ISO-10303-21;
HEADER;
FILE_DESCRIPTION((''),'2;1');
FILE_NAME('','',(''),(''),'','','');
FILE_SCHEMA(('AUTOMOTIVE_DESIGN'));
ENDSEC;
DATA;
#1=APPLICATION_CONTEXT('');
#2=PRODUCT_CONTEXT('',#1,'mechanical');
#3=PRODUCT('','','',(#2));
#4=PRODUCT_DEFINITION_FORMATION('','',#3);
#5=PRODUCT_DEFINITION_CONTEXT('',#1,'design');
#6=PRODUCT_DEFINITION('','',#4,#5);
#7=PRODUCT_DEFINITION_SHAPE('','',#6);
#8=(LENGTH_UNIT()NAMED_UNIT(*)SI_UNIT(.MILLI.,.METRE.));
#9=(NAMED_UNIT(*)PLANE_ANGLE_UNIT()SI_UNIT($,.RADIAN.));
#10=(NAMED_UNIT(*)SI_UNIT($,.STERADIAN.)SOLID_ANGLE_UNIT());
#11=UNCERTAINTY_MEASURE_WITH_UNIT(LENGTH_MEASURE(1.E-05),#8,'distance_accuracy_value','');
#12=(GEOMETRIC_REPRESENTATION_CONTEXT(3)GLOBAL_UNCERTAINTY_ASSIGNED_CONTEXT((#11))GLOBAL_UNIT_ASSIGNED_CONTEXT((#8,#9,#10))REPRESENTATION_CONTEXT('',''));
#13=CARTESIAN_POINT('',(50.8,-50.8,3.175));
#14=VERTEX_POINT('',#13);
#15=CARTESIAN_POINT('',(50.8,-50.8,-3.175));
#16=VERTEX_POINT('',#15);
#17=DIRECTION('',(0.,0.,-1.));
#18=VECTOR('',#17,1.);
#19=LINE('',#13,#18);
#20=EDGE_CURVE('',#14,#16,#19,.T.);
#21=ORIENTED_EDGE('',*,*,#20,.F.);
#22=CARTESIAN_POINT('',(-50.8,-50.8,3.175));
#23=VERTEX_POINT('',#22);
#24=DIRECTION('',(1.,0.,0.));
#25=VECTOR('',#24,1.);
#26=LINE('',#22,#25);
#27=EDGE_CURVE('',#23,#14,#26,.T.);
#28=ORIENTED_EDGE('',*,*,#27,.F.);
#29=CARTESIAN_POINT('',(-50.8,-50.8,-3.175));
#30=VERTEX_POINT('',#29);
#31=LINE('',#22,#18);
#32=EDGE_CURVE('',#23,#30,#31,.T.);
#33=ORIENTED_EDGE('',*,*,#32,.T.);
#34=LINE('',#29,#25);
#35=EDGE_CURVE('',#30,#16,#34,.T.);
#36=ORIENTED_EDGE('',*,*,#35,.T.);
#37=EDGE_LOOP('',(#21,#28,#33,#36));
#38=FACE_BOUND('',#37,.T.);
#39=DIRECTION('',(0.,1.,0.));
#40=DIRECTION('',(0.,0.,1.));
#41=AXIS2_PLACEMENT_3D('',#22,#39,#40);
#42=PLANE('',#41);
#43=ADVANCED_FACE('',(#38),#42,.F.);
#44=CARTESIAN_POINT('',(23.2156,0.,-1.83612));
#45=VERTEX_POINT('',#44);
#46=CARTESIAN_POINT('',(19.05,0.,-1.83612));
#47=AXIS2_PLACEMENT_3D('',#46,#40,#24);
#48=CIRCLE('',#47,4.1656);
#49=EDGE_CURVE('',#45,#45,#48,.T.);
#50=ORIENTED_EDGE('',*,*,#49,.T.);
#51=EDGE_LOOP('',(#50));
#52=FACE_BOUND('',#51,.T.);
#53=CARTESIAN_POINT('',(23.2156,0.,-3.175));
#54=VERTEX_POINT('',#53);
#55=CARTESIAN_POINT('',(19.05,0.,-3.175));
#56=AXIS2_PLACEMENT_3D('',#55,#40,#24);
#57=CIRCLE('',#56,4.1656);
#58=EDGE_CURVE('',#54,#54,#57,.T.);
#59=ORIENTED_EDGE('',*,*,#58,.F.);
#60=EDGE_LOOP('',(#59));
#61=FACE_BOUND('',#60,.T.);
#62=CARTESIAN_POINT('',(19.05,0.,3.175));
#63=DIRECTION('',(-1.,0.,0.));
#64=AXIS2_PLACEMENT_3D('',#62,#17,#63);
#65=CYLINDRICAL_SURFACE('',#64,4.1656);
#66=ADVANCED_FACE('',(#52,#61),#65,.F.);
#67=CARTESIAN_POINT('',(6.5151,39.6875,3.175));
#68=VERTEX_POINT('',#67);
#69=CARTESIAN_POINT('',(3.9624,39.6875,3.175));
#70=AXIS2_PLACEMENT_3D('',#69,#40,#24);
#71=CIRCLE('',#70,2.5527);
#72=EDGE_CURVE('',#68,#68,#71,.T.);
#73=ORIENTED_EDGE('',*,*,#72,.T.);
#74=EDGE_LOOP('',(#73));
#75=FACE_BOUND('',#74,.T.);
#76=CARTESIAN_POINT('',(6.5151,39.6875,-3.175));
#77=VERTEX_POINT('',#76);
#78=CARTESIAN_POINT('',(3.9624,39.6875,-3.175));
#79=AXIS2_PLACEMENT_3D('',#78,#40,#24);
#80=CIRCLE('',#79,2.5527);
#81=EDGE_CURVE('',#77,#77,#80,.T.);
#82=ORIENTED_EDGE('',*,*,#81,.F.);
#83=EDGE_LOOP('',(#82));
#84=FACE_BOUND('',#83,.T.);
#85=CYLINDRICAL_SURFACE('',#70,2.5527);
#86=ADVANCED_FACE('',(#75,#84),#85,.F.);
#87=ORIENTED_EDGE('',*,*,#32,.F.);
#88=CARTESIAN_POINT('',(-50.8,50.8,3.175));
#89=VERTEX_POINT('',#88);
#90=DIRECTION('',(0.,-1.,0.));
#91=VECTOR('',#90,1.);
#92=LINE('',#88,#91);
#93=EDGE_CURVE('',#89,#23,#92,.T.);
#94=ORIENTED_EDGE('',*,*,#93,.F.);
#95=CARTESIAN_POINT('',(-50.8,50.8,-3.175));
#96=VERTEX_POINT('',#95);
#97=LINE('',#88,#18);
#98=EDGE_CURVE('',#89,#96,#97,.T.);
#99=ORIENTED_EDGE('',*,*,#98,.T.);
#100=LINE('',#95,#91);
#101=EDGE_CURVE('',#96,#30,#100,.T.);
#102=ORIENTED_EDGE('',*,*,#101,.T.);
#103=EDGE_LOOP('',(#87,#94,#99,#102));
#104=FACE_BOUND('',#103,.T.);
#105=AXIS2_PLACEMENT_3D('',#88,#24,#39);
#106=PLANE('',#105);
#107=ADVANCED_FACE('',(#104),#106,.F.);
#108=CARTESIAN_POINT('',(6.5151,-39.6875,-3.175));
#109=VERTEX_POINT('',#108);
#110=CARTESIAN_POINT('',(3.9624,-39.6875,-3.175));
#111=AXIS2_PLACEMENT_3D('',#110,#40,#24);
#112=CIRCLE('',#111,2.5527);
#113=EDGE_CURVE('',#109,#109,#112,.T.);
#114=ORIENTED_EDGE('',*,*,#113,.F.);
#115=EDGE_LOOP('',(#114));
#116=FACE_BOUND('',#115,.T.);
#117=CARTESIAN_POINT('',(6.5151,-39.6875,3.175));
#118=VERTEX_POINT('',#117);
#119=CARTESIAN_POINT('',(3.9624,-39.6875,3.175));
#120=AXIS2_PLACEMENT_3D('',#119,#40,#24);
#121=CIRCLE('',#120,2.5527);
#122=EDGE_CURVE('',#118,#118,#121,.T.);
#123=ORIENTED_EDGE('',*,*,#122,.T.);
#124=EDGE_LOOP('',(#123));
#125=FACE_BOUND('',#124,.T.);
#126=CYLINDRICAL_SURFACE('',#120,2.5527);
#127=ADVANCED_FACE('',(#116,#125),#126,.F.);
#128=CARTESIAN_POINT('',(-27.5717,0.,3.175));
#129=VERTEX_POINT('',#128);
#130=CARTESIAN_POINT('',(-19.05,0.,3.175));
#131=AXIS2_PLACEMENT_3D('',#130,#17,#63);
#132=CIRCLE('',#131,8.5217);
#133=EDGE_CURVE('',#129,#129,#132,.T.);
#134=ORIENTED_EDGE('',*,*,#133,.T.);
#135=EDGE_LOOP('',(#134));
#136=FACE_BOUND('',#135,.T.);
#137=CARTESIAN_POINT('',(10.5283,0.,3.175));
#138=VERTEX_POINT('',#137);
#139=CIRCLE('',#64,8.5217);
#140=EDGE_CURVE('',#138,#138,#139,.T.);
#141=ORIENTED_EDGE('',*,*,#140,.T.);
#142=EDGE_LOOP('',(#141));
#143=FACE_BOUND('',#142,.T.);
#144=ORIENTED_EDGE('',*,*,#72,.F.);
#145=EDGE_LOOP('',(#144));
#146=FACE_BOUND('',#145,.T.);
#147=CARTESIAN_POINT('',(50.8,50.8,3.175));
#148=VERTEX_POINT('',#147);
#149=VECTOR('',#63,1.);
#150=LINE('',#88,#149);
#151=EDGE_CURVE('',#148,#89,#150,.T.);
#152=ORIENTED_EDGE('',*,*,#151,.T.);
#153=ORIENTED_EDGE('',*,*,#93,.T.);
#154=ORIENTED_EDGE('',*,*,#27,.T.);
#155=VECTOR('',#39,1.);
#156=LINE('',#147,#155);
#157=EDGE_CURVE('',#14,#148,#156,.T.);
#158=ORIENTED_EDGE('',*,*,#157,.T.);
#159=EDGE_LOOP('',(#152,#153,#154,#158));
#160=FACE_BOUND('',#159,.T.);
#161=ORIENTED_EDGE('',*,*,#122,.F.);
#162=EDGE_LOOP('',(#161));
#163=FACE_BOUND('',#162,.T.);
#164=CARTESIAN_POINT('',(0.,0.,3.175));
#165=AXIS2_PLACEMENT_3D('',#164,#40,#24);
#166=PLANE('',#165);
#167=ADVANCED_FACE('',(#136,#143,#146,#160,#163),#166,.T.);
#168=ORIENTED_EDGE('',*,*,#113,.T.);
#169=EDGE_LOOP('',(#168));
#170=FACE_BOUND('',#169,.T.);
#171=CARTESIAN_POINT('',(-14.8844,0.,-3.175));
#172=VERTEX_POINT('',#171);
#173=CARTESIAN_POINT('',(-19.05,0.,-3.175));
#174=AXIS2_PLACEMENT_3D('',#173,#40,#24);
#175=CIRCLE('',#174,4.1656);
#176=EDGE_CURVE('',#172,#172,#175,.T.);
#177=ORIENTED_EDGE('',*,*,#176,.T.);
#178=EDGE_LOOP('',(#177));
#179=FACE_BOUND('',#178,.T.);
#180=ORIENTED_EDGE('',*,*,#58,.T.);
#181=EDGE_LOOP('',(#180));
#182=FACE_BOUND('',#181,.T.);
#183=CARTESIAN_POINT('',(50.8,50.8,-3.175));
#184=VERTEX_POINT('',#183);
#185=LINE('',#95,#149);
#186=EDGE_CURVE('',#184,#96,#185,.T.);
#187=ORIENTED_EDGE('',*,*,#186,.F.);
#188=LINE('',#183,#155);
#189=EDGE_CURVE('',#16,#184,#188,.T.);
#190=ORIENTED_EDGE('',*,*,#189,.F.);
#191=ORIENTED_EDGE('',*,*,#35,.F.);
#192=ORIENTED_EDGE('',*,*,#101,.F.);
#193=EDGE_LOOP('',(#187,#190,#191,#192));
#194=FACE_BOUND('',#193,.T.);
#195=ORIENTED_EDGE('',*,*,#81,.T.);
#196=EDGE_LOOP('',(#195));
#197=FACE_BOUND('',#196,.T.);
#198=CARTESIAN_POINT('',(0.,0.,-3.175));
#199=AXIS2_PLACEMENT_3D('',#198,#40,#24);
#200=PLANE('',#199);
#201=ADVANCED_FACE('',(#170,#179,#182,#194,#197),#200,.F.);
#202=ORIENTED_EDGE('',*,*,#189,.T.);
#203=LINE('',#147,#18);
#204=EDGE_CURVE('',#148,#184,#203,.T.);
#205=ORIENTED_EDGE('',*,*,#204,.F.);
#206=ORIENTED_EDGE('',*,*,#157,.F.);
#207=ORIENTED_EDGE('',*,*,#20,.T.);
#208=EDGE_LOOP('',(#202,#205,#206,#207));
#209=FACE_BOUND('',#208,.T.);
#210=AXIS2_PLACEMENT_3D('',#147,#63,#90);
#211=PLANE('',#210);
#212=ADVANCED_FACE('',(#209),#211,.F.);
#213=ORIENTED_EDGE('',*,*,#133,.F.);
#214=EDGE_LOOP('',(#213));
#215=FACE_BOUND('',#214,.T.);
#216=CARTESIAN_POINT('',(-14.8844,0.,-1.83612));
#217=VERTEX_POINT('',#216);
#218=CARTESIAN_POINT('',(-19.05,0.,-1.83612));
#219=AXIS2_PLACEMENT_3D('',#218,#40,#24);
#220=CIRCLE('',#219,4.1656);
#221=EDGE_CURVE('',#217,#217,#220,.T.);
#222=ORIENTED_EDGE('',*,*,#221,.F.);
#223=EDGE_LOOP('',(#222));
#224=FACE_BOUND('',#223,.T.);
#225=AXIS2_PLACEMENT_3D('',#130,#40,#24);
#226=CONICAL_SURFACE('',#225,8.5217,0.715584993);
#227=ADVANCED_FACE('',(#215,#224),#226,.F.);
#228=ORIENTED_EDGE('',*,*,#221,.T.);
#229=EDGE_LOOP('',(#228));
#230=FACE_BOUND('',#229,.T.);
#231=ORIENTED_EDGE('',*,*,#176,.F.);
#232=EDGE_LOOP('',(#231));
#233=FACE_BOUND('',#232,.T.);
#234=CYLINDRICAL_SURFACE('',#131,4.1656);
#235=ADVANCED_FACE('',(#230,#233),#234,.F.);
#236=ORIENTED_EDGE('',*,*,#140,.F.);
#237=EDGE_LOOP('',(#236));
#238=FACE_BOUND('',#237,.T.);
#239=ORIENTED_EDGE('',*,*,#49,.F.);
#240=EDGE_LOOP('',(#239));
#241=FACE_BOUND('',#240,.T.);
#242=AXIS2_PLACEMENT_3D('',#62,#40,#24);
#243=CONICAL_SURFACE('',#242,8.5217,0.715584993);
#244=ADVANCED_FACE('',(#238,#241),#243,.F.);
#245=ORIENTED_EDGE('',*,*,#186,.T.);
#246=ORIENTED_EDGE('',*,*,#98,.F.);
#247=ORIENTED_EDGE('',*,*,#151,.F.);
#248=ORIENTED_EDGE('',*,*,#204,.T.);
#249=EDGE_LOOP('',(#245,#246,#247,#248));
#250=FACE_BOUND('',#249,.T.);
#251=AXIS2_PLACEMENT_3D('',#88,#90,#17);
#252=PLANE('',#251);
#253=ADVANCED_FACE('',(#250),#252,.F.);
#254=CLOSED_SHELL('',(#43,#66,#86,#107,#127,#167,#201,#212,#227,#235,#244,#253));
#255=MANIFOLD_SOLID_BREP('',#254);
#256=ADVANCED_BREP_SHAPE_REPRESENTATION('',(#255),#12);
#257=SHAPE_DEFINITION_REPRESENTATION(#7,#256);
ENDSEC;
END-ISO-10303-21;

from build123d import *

# Parameters (mm, degrees)
SKETCH1_W               = 101.6
SKETCH1_H               = 101.6
SKETCH1_R               = 4.1656
BOSS_EXTRUDE1_DEPTH     = 3.175
F_1_4_20_TAPPED_HOLE1_D = 5.1054


with BuildPart() as part:
    # Sketch1 → Boss-Extrude1 (new, symmetric)
    with BuildSketch(Plane.XY):
        Rectangle(SKETCH1_W, SKETCH1_H)
        with Locations((-19.05, 0)):
            Circle(SKETCH1_R, mode=Mode.SUBTRACT)
        with Locations((19.05, 0)):
            Circle(SKETCH1_R, mode=Mode.SUBTRACT)
    extrude(amount=BOSS_EXTRUDE1_DEPTH, both=True)

    # Sketch2 → Cut-Revolve1 (revolve, cut)
    with BuildSketch(Plane(origin=(0, 0, 0), x_dir=(1, 0, 0), z_dir=(0, 1, 0))):
        Polygon((-10.5283, -3.175), (-19.05, 6.628094456), (-19.05, -3.175), align=None)
    cut_revolve1 = revolve(axis=Axis((-19.05, 0, -6.628094456), (0, 0, 1)), mode=Mode.SUBTRACT)

    # Sketch-Pattern1: Cut-Revolve1 at 1 more place
    with Locations((38.1, 0, 0)):
        add(cut_revolve1, mode=Mode.SUBTRACT)

    # 1/4-20 Tapped Hole1 (through all)
    with Locations(Plane.XY.offset(3.175)):
        with Locations((3.9624, -39.6875), (3.9624, 39.6875)):
            Hole(F_1_4_20_TAPPED_HOLE1_D / 2)


solid = part.part
